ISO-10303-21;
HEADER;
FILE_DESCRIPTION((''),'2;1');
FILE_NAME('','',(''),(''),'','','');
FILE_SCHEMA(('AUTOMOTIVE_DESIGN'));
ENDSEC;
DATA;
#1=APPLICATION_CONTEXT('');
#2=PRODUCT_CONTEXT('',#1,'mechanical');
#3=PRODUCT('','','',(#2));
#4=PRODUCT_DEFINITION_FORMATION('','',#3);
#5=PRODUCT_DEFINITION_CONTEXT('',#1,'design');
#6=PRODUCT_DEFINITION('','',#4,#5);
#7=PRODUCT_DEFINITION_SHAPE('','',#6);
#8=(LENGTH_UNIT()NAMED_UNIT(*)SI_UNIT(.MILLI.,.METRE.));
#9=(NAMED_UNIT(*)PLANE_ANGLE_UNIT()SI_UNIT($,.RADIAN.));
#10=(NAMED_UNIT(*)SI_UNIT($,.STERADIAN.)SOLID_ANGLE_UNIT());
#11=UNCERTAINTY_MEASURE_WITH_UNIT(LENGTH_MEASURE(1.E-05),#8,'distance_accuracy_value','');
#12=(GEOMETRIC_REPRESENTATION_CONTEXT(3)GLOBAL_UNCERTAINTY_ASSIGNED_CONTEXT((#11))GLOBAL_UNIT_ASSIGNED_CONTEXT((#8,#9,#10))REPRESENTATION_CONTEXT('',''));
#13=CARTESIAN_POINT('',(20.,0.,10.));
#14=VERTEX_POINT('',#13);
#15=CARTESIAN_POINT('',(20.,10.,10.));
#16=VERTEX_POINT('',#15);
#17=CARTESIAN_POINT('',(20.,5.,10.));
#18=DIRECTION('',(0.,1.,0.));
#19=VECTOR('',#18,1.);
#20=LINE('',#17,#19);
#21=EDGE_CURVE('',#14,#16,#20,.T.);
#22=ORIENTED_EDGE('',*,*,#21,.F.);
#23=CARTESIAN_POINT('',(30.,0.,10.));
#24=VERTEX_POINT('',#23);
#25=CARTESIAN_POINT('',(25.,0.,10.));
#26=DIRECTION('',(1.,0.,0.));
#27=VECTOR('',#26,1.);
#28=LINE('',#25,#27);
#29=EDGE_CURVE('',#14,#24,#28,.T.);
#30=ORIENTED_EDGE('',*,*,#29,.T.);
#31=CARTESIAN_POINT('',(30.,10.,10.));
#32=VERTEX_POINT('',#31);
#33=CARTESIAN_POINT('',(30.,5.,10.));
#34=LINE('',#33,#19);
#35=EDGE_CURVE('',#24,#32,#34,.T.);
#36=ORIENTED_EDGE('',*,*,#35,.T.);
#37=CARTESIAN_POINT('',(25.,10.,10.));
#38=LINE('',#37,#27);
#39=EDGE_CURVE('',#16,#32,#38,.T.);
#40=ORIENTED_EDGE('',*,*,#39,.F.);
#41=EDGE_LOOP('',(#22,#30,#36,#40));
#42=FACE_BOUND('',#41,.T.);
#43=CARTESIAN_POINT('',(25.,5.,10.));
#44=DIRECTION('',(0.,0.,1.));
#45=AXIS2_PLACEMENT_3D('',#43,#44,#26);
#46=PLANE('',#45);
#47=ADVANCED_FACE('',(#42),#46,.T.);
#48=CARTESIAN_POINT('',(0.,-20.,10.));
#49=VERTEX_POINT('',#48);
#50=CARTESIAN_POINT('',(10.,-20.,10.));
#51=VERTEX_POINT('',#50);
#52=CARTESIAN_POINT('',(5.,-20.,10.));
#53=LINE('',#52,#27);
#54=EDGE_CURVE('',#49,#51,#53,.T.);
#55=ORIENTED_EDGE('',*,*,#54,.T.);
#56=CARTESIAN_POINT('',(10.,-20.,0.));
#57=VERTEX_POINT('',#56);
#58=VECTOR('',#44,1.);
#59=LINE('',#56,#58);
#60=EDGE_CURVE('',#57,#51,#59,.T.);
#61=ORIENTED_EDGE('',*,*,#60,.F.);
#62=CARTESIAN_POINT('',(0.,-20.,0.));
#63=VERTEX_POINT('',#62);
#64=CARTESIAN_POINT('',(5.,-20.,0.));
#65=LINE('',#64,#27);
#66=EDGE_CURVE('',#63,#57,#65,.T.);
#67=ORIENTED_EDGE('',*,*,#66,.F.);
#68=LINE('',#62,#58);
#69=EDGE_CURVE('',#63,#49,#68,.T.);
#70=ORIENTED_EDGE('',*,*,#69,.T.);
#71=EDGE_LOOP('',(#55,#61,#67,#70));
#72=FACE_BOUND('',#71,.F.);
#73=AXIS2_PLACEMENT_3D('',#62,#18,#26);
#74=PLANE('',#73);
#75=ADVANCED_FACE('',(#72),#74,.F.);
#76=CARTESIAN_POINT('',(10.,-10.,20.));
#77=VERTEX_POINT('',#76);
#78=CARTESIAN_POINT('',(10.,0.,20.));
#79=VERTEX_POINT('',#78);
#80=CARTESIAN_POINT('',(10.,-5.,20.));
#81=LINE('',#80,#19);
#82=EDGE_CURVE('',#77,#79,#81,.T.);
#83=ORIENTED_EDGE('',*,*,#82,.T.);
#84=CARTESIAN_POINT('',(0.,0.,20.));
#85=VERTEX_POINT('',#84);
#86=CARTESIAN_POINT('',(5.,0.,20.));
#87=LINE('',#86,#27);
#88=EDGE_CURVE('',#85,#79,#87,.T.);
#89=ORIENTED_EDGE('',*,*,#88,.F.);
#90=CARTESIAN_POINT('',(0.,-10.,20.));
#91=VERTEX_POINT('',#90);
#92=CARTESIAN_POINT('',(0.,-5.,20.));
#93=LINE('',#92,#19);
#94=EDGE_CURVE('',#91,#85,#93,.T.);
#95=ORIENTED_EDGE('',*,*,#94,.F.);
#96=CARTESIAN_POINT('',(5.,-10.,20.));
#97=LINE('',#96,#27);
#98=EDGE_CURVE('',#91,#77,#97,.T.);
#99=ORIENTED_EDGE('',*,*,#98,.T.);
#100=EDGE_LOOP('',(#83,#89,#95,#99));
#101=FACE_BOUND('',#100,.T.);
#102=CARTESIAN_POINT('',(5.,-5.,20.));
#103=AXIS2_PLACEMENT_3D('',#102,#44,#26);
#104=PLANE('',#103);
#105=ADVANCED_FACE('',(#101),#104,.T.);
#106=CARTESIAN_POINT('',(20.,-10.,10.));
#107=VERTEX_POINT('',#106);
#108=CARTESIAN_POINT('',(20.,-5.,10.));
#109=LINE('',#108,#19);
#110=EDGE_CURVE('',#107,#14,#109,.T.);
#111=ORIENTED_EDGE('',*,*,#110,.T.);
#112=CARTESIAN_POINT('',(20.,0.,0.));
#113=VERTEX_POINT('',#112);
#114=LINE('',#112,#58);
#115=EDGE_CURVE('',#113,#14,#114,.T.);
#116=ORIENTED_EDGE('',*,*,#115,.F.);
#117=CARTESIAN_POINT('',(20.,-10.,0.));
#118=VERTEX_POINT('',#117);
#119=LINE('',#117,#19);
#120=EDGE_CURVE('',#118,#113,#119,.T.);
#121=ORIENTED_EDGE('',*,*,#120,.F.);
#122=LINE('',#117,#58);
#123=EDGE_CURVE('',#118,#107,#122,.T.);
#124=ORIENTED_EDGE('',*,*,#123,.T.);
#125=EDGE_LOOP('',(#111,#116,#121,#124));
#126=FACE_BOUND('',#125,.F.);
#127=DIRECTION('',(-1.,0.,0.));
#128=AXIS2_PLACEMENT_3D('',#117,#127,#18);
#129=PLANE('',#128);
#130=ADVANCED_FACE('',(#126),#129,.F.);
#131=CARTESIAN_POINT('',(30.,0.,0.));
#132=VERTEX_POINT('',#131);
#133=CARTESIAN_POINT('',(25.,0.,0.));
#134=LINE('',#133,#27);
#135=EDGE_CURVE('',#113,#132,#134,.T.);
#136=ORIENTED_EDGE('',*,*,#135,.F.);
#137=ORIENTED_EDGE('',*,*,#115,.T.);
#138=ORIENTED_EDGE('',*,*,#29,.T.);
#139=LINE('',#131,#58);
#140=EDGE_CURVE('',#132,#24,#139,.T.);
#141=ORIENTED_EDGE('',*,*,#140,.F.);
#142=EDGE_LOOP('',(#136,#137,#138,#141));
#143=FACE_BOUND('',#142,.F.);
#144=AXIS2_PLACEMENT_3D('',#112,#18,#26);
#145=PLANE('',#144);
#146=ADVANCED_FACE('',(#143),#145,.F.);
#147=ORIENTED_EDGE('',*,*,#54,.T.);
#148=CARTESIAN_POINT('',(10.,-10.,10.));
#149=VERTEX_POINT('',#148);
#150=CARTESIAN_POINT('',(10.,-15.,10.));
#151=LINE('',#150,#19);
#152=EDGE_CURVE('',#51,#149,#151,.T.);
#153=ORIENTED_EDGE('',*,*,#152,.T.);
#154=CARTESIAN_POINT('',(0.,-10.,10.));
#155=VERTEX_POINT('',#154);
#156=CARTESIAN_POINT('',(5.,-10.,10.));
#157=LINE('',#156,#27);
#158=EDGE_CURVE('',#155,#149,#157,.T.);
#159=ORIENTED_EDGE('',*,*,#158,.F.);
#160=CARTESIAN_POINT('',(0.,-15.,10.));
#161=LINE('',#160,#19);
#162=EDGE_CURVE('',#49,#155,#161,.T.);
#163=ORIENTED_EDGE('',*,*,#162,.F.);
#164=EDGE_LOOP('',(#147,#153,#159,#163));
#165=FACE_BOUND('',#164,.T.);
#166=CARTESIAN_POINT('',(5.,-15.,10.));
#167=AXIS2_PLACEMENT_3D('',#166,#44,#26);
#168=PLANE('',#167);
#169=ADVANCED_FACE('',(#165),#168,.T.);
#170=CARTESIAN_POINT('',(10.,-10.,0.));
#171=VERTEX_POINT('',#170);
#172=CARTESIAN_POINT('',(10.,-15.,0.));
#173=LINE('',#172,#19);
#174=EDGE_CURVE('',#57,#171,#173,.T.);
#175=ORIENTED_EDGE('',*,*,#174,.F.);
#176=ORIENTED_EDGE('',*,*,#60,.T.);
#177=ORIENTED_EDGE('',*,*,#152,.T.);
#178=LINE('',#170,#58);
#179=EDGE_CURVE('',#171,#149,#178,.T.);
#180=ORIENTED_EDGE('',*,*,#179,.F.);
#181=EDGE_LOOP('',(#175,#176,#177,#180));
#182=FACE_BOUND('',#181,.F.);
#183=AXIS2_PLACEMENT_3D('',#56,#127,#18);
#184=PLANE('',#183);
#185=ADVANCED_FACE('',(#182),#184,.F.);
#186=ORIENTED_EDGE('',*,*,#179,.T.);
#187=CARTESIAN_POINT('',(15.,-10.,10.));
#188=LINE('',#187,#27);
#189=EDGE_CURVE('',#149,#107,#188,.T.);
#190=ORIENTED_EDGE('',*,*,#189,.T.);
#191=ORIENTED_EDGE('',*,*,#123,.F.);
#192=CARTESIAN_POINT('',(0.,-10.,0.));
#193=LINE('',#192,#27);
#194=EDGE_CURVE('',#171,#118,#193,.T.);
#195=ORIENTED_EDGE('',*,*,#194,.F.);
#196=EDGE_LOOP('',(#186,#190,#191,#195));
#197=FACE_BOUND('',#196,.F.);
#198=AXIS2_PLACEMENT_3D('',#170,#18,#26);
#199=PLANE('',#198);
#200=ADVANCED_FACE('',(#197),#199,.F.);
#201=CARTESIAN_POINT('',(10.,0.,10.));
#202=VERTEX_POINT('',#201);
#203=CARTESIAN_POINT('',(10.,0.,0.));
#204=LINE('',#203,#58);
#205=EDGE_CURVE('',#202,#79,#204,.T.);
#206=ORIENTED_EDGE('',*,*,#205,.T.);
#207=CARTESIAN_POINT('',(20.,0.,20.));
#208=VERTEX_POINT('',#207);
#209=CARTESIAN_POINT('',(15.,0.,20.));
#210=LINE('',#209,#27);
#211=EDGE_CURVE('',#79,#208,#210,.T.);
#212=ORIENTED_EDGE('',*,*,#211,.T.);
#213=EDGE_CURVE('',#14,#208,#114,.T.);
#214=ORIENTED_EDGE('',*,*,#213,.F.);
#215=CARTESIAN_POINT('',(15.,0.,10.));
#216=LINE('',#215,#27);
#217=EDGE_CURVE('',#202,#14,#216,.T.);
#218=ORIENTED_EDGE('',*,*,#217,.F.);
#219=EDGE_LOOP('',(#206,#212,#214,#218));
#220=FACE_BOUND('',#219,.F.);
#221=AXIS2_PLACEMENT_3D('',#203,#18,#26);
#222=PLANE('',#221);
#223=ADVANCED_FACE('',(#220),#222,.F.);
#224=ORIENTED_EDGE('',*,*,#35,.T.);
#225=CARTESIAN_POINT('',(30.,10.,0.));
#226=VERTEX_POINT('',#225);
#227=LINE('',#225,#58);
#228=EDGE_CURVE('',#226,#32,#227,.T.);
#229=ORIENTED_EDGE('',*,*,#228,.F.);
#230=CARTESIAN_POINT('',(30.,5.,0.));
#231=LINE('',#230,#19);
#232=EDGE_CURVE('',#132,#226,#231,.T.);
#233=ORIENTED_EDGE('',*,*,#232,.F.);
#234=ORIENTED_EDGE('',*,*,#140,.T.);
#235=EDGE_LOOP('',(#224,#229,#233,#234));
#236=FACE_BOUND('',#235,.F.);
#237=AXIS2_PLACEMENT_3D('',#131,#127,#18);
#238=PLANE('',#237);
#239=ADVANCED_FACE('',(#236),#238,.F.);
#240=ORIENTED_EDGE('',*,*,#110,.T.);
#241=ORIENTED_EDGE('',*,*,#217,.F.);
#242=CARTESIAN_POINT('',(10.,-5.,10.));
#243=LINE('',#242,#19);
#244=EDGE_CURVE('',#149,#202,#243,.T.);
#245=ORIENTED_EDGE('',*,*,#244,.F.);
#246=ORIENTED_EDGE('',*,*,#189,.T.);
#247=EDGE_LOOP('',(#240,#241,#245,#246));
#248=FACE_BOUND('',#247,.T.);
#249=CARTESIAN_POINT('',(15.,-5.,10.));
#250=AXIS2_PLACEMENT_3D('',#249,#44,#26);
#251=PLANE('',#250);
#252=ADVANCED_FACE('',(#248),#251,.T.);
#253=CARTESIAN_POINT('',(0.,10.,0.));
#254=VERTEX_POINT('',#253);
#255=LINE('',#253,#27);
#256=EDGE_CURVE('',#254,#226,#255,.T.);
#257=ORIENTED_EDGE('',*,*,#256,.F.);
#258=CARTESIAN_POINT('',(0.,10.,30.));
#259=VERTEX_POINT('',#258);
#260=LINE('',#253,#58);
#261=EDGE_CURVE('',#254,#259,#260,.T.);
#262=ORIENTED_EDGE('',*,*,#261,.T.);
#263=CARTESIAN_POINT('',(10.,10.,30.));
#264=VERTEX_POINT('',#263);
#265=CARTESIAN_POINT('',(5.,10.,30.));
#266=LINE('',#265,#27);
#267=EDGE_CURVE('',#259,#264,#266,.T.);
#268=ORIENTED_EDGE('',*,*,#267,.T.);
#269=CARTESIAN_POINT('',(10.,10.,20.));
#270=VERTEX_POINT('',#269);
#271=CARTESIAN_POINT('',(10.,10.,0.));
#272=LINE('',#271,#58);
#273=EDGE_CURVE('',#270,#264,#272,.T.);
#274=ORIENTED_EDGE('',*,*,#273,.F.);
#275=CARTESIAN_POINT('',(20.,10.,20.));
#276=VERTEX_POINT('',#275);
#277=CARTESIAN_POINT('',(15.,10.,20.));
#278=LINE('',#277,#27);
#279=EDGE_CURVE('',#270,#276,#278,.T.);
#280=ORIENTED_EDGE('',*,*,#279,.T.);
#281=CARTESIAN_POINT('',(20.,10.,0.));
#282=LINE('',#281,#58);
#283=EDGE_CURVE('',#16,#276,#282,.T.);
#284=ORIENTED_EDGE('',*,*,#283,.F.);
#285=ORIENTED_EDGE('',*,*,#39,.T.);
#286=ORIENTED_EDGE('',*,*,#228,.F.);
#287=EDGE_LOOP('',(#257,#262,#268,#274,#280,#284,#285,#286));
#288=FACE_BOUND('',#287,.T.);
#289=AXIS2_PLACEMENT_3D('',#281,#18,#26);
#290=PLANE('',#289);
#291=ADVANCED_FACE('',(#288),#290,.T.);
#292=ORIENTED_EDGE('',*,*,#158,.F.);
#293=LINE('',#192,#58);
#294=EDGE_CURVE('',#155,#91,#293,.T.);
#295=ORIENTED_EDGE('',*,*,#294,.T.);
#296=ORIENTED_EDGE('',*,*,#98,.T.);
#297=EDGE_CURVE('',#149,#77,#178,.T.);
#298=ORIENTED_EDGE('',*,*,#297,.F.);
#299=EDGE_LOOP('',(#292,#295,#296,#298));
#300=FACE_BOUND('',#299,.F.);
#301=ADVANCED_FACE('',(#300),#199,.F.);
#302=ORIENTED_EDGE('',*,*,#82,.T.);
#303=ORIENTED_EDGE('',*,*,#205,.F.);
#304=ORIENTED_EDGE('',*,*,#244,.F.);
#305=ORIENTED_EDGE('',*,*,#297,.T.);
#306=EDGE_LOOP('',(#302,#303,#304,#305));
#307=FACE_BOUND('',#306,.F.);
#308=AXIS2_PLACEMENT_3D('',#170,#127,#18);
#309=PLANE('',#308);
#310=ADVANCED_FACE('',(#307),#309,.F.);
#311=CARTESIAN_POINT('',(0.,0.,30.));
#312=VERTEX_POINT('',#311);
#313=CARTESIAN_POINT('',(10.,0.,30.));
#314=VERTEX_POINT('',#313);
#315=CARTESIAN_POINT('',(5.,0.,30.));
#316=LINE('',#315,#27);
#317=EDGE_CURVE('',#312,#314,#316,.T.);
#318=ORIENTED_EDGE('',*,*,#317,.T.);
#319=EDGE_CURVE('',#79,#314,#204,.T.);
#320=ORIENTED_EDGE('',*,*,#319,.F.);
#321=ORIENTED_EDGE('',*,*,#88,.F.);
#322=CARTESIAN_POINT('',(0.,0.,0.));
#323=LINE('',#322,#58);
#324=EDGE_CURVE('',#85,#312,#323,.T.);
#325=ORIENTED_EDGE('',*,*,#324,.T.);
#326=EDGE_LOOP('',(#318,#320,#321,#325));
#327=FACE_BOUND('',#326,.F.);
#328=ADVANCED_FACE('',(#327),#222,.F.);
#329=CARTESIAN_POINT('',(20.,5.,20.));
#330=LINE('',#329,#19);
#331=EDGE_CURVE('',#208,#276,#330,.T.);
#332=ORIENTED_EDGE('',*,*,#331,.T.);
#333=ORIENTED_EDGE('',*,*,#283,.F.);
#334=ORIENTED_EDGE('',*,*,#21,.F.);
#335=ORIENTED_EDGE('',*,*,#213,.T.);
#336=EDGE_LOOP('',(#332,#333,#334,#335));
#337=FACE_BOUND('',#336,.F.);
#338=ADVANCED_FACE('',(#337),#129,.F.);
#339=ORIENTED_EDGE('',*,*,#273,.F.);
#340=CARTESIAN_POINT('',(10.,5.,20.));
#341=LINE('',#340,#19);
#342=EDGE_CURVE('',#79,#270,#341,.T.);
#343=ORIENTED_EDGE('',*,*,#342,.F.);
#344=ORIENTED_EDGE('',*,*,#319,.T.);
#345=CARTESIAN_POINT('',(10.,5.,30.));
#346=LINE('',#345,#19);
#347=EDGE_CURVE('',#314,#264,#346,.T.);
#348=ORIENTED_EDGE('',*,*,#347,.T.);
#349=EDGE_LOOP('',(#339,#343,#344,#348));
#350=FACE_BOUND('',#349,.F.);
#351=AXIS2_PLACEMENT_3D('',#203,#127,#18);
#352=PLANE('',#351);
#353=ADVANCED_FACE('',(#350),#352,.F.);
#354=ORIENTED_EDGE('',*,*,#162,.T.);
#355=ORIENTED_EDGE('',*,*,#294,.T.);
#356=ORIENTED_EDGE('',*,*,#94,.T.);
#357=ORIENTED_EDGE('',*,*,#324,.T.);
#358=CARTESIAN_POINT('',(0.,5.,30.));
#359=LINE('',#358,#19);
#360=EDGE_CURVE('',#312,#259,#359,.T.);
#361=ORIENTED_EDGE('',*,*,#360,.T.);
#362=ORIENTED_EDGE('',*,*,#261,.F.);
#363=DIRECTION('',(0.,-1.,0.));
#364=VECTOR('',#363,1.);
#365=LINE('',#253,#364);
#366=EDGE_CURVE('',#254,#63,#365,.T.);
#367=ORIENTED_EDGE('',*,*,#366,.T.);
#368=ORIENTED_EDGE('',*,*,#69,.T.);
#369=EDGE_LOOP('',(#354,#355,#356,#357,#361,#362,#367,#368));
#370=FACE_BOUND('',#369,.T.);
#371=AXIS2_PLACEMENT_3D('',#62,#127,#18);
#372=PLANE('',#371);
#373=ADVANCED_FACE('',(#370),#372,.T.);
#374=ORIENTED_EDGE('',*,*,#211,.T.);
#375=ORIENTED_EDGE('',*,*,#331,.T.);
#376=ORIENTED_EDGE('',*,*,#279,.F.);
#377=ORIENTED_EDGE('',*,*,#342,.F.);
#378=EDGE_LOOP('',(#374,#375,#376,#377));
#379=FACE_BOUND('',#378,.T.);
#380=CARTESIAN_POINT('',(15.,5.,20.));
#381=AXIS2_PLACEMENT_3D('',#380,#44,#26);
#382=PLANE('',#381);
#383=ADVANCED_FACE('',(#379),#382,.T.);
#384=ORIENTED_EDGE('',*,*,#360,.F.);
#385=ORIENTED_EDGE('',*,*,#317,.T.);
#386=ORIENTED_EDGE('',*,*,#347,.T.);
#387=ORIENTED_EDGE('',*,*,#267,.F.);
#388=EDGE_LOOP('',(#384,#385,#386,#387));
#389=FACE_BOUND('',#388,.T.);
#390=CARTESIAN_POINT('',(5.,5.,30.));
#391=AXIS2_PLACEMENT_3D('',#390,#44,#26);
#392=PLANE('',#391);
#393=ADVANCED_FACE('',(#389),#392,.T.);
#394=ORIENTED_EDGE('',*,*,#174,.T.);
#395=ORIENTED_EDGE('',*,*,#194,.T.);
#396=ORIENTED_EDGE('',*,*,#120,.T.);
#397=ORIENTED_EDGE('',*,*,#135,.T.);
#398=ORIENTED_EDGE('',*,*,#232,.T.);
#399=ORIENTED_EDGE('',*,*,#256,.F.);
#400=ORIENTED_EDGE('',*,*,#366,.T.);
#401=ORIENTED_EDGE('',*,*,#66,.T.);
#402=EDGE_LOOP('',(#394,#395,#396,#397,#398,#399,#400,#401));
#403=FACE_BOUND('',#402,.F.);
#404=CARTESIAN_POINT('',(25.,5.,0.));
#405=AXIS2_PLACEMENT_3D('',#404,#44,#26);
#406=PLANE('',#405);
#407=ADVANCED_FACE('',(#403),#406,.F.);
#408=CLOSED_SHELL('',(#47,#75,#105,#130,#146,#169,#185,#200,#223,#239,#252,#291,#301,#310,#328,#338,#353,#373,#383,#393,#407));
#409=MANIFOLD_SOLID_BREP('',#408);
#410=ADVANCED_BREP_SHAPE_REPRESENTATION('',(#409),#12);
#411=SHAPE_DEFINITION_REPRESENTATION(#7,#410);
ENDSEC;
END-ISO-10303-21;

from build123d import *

# Parameters (mm, degrees)
BOX001_W     = 10
BOX001_H     = 10
BOX001_DEPTH = 20
BOX002_W     = 10
BOX002_H     = 10
BOX002_DEPTH = 20
BOX003_W     = 10
BOX003_H     = 10
BOX003_DEPTH = 10
BOX004_W     = 10
BOX004_H     = 10
BOX004_DEPTH = 10
BOX005_W     = 10
BOX005_H     = 10
BOX005_DEPTH = 10
BOX_W        = 10
BOX_H        = 10
BOX_DEPTH    = 30


with BuildPart() as cube001:
    # Box001 → Box001 (new body)
    with BuildSketch(Plane(origin=(10, 0, 0), x_dir=(1, 0, 0), z_dir=(0, 0, 1))):
        with Locations((5, 5)):
            Rectangle(BOX001_W, BOX001_H)
    extrude(amount=BOX001_DEPTH)


with BuildPart() as cube002:
    # Box002 → Box002 (new body)
    with BuildSketch(Plane(origin=(0, -10, 0), x_dir=(1, 0, 0), z_dir=(0, 0, 1))):
        with Locations((5, 5)):
            Rectangle(BOX002_W, BOX002_H)
    extrude(amount=BOX002_DEPTH)


with BuildPart() as cube003:
    # Box003 → Box003 (new body)
    with BuildSketch(Plane(origin=(10, -10, 0), x_dir=(1, 0, 0), z_dir=(0, 0, 1))):
        with Locations((5, 5)):
            Rectangle(BOX003_W, BOX003_H)
    extrude(amount=BOX003_DEPTH)


with BuildPart() as cube004:
    # Box004 → Box004 (new body)
    with BuildSketch(Plane(origin=(0, -20, 0), x_dir=(1, 0, 0), z_dir=(0, 0, 1))):
        with Locations((5, 5)):
            Rectangle(BOX004_W, BOX004_H)
    extrude(amount=BOX004_DEPTH)


with BuildPart() as cube005:
    # Box005 → Box005 (new body)
    with BuildSketch(Plane(origin=(20, 0, 0), x_dir=(1, 0, 0), z_dir=(0, 0, 1))):
        with Locations((5, 5)):
            Rectangle(BOX005_W, BOX005_H)
    extrude(amount=BOX005_DEPTH)


with BuildPart() as fusion:
    # Box → Box (new body)
    with BuildSketch(Plane.XY):
        with Locations((5, 5)):
            Rectangle(BOX_W, BOX_H)
    extrude(amount=BOX_DEPTH)

    # Fusion: union Cube001, Cube002, Cube003, Cube004, Cube005
    add(cube001.part)
    add(cube002.part)
    add(cube003.part)
    add(cube004.part)
    add(cube005.part)


solid = fusion.part
